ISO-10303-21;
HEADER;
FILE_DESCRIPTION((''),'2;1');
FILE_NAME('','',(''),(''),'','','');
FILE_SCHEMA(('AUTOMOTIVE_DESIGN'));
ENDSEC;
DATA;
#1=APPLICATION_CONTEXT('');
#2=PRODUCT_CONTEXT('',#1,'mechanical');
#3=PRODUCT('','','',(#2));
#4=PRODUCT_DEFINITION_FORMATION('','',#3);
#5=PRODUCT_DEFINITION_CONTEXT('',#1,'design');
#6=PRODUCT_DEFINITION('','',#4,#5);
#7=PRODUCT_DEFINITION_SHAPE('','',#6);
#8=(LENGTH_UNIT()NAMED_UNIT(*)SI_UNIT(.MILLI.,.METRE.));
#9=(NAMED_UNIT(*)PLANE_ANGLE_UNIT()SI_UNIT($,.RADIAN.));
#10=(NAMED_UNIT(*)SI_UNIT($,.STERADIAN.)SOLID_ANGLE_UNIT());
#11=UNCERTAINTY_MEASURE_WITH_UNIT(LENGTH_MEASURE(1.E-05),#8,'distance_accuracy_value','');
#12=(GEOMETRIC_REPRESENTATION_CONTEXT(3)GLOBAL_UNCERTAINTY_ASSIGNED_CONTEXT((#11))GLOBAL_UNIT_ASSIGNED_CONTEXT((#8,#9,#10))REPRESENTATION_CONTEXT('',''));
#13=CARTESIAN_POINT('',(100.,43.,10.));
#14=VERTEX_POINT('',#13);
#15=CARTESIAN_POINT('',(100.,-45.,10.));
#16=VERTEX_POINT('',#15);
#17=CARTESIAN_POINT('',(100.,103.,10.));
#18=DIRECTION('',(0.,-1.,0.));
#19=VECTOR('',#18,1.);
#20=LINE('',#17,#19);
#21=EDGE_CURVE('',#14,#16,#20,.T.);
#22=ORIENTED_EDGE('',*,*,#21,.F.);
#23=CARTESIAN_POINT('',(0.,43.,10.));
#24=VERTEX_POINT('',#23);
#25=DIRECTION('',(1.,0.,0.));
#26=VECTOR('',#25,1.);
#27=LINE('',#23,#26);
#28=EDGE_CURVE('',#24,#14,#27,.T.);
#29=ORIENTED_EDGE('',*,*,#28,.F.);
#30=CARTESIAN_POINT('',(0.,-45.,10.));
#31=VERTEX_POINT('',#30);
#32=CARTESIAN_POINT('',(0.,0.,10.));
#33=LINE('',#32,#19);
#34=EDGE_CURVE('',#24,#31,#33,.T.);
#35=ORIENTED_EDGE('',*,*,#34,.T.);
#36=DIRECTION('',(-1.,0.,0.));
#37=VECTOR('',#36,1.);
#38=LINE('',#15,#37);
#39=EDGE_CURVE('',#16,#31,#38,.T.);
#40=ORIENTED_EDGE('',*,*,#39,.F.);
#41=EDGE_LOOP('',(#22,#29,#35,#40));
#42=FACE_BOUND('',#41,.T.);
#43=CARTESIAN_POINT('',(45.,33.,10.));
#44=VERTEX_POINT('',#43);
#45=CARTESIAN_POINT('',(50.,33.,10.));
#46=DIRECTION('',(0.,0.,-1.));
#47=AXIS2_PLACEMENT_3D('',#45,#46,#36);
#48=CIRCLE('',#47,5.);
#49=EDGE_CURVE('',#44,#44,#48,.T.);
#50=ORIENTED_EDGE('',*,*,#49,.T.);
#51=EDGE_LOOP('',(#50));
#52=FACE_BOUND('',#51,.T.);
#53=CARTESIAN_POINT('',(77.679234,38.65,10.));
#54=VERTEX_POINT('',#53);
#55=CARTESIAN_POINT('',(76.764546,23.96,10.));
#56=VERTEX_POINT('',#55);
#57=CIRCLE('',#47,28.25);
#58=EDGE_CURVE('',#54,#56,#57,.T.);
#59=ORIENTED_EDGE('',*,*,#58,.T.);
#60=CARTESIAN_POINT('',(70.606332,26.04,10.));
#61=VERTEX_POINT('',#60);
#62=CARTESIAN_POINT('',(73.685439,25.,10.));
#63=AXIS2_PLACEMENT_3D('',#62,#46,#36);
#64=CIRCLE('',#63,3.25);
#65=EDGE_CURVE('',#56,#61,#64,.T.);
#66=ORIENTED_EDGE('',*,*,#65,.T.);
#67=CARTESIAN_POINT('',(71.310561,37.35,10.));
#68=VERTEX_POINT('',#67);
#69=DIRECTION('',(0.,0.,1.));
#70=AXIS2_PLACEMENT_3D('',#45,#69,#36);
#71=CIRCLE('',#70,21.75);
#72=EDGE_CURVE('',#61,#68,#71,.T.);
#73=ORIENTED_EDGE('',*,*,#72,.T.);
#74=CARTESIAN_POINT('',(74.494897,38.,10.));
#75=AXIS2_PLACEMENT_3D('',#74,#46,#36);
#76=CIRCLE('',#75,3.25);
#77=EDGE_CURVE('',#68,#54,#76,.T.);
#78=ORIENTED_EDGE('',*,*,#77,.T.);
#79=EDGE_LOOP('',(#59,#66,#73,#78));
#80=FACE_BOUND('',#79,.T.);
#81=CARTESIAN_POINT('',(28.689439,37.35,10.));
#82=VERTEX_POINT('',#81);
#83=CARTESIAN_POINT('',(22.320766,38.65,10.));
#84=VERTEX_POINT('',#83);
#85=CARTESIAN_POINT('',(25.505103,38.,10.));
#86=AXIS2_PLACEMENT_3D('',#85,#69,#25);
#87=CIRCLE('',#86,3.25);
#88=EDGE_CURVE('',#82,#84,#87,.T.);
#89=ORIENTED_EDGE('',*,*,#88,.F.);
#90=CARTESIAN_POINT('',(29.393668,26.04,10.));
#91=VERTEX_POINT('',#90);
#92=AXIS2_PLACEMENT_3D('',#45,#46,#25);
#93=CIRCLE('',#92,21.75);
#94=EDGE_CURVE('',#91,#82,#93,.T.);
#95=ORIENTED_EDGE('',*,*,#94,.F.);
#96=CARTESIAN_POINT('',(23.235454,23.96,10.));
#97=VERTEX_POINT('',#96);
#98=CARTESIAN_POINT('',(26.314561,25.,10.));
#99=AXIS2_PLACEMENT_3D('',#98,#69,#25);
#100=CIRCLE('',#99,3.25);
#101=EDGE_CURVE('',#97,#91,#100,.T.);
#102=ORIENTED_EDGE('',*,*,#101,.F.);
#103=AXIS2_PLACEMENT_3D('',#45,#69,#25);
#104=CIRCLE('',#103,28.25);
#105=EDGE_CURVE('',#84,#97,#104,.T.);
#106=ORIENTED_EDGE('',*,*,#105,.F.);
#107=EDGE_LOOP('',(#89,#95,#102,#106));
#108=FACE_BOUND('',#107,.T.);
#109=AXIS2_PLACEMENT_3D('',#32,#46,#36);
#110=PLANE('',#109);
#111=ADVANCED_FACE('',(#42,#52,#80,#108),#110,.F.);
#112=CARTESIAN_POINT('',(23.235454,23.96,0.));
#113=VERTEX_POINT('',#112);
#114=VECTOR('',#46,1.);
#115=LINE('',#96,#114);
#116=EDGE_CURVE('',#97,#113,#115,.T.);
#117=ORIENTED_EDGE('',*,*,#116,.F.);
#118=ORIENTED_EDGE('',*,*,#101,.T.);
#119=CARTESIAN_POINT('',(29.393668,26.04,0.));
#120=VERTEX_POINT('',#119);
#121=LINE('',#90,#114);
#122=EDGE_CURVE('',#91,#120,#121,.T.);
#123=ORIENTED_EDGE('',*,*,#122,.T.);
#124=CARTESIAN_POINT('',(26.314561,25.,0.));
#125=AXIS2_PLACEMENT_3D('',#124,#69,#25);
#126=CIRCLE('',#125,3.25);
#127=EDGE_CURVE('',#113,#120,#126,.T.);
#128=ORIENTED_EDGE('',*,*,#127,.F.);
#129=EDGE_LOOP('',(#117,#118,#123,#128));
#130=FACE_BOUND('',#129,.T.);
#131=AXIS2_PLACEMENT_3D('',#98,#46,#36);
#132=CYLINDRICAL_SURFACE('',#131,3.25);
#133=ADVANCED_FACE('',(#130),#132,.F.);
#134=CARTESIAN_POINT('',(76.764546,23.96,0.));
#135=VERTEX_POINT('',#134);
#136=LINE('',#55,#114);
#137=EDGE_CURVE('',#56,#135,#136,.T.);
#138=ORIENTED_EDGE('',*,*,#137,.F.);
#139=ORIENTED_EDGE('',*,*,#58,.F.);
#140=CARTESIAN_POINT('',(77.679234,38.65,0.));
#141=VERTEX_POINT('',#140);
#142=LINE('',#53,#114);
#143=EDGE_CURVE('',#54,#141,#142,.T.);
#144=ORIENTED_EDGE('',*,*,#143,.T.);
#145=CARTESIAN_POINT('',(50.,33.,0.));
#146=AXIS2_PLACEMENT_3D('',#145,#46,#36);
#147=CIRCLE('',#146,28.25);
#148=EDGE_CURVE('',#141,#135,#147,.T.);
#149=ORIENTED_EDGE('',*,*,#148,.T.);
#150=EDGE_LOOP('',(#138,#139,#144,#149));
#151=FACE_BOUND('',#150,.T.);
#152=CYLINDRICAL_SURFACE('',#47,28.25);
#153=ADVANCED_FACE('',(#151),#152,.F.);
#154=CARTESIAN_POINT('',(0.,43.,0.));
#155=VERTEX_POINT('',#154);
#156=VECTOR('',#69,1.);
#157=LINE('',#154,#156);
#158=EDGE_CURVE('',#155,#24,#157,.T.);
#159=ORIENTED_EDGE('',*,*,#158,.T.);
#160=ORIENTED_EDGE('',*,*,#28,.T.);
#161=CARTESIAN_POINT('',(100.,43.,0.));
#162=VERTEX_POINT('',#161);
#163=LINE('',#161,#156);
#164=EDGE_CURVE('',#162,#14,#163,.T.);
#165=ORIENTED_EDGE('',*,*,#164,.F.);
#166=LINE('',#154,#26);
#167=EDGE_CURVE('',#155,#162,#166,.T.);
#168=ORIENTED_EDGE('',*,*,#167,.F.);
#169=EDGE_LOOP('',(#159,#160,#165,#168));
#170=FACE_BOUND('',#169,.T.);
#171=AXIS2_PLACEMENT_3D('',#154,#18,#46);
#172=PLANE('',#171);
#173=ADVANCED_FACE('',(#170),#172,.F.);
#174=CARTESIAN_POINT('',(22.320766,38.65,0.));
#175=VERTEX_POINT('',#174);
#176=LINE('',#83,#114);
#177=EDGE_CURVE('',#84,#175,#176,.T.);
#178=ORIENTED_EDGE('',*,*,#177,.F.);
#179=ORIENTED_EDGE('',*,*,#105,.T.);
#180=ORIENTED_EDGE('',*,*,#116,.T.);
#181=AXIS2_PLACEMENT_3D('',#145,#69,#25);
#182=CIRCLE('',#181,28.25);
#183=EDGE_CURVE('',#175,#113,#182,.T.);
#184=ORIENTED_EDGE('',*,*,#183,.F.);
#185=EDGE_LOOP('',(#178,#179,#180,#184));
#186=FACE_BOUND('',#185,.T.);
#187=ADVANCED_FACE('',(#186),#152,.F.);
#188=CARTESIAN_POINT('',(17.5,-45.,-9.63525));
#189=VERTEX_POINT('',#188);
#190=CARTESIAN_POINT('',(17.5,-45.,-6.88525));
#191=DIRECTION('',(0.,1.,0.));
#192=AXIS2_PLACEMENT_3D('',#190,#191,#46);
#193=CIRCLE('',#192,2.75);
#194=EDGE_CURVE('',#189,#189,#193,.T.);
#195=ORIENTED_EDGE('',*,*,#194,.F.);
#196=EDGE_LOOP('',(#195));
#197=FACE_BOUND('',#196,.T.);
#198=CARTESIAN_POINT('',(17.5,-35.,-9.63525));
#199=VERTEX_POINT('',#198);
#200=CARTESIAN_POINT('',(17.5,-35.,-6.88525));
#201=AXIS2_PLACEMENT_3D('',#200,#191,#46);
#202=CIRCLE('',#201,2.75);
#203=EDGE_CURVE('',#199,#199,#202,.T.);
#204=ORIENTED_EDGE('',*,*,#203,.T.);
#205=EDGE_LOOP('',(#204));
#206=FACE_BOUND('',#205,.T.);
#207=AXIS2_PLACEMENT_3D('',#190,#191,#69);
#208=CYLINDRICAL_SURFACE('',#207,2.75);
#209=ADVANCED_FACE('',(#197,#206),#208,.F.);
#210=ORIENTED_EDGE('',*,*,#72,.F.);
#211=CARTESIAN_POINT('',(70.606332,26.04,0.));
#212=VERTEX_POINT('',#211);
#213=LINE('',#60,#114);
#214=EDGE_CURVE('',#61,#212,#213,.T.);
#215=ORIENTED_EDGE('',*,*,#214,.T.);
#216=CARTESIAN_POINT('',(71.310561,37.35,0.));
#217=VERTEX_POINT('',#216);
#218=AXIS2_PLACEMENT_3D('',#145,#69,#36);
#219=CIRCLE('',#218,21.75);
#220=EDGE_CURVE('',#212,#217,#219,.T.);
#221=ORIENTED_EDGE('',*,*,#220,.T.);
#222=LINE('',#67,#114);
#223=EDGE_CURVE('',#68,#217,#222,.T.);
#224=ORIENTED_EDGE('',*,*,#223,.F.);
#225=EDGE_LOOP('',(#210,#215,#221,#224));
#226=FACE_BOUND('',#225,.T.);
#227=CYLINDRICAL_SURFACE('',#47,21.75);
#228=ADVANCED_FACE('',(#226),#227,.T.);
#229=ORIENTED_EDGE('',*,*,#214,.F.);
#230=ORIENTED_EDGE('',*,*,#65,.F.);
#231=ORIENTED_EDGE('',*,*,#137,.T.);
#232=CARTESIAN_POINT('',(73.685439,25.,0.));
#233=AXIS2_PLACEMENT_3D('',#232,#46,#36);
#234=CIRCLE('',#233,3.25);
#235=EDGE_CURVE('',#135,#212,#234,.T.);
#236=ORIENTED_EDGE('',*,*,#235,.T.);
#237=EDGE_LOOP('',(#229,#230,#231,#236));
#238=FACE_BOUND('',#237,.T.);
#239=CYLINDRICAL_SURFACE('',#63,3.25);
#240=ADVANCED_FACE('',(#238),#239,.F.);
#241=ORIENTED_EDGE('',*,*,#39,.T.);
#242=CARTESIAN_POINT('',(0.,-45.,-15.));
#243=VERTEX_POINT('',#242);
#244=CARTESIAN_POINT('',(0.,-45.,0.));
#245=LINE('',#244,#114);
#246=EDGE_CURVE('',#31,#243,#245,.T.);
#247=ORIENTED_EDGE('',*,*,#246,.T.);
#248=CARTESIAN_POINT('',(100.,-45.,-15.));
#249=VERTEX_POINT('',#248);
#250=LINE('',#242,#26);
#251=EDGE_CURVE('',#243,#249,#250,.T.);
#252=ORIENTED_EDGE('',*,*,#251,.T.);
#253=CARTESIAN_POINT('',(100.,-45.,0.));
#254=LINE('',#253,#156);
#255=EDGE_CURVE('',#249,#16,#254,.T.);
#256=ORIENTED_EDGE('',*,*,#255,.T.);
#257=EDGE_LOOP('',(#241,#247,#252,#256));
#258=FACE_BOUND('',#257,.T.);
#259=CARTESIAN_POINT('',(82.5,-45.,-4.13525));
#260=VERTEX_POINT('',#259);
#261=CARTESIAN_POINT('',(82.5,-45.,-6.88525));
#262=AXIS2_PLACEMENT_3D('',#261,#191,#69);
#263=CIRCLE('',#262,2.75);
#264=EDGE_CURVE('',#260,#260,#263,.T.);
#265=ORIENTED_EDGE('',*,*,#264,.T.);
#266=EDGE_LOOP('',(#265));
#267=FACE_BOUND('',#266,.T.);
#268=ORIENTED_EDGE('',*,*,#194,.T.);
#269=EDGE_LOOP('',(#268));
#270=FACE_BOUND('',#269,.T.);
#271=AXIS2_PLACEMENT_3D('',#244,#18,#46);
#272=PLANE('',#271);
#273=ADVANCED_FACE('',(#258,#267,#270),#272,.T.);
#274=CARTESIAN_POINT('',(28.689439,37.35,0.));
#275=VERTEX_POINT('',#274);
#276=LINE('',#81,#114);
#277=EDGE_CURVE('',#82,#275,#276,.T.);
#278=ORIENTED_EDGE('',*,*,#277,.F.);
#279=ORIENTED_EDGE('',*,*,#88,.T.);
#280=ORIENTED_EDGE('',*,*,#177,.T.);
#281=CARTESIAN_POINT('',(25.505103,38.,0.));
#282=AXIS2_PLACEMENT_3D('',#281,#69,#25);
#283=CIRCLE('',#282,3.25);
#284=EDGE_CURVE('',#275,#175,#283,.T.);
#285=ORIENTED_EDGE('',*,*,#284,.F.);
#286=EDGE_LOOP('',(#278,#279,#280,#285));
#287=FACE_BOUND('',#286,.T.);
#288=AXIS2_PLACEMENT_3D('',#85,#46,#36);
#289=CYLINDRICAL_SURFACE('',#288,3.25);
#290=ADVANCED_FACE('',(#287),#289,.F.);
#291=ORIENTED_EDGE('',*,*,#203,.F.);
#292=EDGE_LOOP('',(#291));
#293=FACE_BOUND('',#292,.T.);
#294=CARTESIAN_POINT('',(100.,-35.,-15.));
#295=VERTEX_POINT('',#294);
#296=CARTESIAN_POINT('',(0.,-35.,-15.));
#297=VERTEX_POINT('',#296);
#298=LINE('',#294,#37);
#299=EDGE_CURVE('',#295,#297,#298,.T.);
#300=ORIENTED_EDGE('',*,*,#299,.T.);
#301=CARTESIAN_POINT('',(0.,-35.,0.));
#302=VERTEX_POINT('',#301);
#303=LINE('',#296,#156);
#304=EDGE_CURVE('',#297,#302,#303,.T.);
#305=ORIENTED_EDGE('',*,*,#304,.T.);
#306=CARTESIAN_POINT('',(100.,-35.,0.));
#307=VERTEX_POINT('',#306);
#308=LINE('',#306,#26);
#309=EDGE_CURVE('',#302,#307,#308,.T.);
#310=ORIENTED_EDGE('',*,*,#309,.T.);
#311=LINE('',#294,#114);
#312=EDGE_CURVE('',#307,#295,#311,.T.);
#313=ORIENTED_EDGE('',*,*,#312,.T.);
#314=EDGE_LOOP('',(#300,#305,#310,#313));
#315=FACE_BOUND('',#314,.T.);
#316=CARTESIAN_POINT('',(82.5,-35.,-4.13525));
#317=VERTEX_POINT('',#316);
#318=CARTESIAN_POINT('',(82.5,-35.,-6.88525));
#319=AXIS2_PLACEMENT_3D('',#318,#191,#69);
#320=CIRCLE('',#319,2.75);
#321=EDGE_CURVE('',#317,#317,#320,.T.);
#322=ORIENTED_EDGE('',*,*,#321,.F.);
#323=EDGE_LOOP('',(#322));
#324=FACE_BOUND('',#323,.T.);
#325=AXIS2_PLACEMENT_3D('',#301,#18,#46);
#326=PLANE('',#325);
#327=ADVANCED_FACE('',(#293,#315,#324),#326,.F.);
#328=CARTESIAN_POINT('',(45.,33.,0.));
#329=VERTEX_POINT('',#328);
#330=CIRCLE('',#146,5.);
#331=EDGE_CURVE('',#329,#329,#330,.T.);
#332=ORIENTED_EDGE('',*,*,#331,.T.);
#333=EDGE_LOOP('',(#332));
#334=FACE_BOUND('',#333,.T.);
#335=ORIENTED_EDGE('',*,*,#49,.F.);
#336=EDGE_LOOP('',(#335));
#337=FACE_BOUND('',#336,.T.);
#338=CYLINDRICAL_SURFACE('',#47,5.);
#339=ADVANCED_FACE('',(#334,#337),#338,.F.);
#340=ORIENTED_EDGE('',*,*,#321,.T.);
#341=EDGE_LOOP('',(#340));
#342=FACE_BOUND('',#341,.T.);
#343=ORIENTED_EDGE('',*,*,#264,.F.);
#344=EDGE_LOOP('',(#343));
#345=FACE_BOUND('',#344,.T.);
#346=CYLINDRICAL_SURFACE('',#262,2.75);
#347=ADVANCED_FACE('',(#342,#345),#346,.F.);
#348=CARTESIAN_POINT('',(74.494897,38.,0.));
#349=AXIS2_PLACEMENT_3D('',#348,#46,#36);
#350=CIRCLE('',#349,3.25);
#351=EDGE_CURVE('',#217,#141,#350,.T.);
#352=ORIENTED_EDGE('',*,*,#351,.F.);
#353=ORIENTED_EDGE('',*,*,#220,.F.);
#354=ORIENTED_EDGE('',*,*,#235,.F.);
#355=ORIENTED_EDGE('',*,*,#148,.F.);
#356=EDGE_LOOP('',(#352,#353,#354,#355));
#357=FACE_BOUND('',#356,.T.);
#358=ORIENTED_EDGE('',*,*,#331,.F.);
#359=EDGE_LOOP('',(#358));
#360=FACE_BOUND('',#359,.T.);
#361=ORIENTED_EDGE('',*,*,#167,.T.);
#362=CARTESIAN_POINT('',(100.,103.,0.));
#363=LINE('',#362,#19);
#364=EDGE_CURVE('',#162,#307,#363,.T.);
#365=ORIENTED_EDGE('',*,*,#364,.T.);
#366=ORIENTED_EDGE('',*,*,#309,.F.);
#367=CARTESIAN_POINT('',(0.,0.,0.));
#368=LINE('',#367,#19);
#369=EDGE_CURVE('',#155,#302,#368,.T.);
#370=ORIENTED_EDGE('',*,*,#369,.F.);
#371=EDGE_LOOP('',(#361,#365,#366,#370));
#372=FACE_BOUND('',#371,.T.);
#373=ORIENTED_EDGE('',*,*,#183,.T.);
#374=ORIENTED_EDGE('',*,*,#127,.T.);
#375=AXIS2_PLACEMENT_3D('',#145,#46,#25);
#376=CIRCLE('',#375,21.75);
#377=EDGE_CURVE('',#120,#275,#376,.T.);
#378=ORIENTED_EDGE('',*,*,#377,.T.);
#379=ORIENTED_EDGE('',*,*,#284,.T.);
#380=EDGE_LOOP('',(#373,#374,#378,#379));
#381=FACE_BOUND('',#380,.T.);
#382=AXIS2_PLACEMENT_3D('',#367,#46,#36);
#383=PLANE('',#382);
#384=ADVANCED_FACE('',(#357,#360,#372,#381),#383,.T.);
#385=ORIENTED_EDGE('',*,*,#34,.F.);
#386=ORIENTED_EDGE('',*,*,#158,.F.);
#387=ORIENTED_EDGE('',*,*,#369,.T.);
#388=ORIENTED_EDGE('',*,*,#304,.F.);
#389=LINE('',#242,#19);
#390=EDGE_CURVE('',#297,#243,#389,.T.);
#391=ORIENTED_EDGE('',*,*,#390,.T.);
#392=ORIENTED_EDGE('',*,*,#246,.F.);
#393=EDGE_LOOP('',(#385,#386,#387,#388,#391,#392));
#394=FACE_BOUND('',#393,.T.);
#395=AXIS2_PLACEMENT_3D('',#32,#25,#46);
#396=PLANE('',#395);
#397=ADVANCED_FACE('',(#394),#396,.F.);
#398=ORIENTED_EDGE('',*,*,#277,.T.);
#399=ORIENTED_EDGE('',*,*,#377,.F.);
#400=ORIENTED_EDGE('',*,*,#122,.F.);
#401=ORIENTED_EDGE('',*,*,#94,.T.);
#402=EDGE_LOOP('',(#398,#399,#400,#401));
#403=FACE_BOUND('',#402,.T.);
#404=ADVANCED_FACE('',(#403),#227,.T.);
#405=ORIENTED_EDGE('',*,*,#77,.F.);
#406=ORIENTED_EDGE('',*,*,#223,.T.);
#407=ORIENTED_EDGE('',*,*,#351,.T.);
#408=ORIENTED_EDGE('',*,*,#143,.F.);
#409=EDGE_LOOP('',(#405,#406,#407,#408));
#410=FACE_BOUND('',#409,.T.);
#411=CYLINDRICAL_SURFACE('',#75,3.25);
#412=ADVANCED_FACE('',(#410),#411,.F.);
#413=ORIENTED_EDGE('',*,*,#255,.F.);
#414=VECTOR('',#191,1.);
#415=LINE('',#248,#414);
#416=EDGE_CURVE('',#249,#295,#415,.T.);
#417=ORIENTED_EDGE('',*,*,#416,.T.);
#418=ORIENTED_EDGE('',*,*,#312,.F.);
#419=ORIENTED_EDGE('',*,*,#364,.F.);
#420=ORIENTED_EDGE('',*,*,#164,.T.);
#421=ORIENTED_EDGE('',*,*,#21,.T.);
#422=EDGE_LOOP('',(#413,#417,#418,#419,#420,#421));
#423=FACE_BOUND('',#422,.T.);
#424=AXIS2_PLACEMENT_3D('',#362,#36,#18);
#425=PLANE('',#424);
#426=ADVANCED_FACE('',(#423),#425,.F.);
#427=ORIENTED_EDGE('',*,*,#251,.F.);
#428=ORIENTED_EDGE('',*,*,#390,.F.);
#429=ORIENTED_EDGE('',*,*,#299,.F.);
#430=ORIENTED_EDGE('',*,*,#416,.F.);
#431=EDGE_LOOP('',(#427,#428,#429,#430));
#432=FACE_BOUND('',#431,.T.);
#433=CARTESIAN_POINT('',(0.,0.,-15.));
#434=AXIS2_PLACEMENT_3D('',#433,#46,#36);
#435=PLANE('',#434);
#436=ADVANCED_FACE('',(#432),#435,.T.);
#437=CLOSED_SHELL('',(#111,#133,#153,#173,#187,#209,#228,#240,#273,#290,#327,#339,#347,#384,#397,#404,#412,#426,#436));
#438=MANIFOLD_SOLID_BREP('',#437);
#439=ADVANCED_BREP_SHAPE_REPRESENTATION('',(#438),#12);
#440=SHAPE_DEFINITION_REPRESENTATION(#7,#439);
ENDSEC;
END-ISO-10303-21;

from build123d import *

# Parameters (mm, degrees)
EXTRUDE_1_DEPTH     = 10
SKETCH_2_W          = 169.882057187
SKETCH_2_H          = 25.097327733
CUT_EXTRUDE_1_DEPTH = 11
SKETCH_4_W          = 150
SKETCH_4_H          = 103
EXTRUDE_2_DEPTH     = 10
SKETCH_5_W          = 50
SKETCH_5_H          = 103
CUT_EXTRUDE_2_DEPTH = 11
SKETCH_7_W          = 130.949422717
SKETCH_7_H          = 60
CUT_EXTRUDE_3_DEPTH = 10
SKETCH_8_R          = 5
CUT_EXTRUDE_4_DEPTH = 11
CUT_EXTRUDE_5_DEPTH = 11
SKETCH_12_W         = 100
SKETCH_12_H         = 10
EXTRUDE_3_DEPTH     = 45
SKETCH_13_W         = 100
SKETCH_13_H         = 5
EXTRUDE_4_DEPTH     = 25
SKETCH_14_W         = 100
SKETCH_14_H         = 15
EXTRUDE_5_DEPTH     = 5
SKETCH_15_R         = 2.75
CUT_EXTRUDE_6_DEPTH = 11


with BuildPart() as part:
    # 草图1 → 凸台-拉伸1 (new body)
    with BuildSketch(Plane.XY):
        Polygon((150, 103.55), (0, 90.426700471), (0, 0), (150, 0), align=None)
    extrude(amount=EXTRUDE_1_DEPTH)

    # 草图2 → 切除-拉伸1 (cut, through all)
    with BuildSketch(Plane(origin=(0, 0, 0), x_dir=(-1, 0, 0), z_dir=(0, 0, -1))):
        with Locations((-84.941028594, 102.975364337)):
            Rectangle(SKETCH_2_W, SKETCH_2_H)
    extrude(amount=-CUT_EXTRUDE_1_DEPTH, mode=Mode.SUBTRACT)

    # 草图4 → 凸台-拉伸2 (add)
    with BuildSketch(Plane.XY.offset(10)):
        with Locations((75, 51.5)):
            Rectangle(SKETCH_4_W, SKETCH_4_H)
    extrude(amount=-EXTRUDE_2_DEPTH)

    # 草图5 → 切除-拉伸2 (cut, through all)
    with BuildSketch(Plane.XY.offset(10)):
        with Locations((125, 51.5)):
            Rectangle(SKETCH_5_W, SKETCH_5_H)
    extrude(amount=-CUT_EXTRUDE_2_DEPTH, mode=Mode.SUBTRACT)

    # 草图7 → 切除-拉伸3 (cut)
    with BuildSketch(Plane.XY.offset(10)):
        with Locations((65.474711359, 73)):
            Rectangle(SKETCH_7_W, SKETCH_7_H)
    extrude(amount=-CUT_EXTRUDE_3_DEPTH, mode=Mode.SUBTRACT)

    # 草图8 → 切除-拉伸4 (cut, through all)
    with BuildSketch(Plane(origin=(0, 0, 0), x_dir=(-1, 0, 0), z_dir=(0, 0, -1))):
        with Locations((-50, 33)):
            Circle(SKETCH_8_R)
    extrude(amount=-CUT_EXTRUDE_4_DEPTH, mode=Mode.SUBTRACT)

    # 草图11 → 切除-拉伸5 (cut, through all)
    with BuildSketch(Plane(origin=(0, 0, 0), x_dir=(-1, 0, 0), z_dir=(0, 0, -1))):
        with BuildLine():
            ThreePointArc((-76.764545578, 23.96), (-72.645438565, 21.920892987), (-70.606331551, 26.04))
            ThreePointArc((-70.606331551, 26.04), (-71.707959146, 31.648330774), (-71.310560762, 37.35))
            ThreePointArc((-71.310560762, 37.35), (-73.844897428, 41.184336666), (-77.679234093, 38.65))
            ThreePointArc((-77.679234093, 38.65), (-78.195395213, 31.24438365), (-76.764545578, 23.96))
        make_face()
    cut_extrude_5 = extrude(amount=-CUT_EXTRUDE_5_DEPTH, mode=Mode.SUBTRACT)

    # 镜向1: 切除-拉伸5 across plane
    add(cut_extrude_5.mirror(Plane.ZY.offset(-50)), mode=Mode.SUBTRACT)

    # 草图12 → 凸台-拉伸3 (add)
    with BuildSketch(Plane.XZ):
        with Locations((50, 5)):
            Rectangle(SKETCH_12_W, SKETCH_12_H)
    extrude(amount=EXTRUDE_3_DEPTH)

    # 草图13 → 凸台-拉伸4 (add)
    with BuildSketch(Plane.XY.offset(10)):
        with Locations((50, -42.5)):
            Rectangle(SKETCH_13_W, SKETCH_13_H)
    extrude(amount=-EXTRUDE_4_DEPTH)

    # 草图14 → 凸台-拉伸5 (add)
    with BuildSketch(Plane(origin=(0, -40, 0), x_dir=(1, 0, 0), z_dir=(0, 1, 0))):
        with Locations((50, 7.5)):
            Rectangle(SKETCH_14_W, SKETCH_14_H)
    extrude(amount=EXTRUDE_5_DEPTH)

    # 草图15 → 切除-拉伸6 (cut, through all)
    with BuildSketch(Plane(origin=(0, -35, 0), x_dir=(1, 0, 0), z_dir=(0, 1, 0))):
        with Locations((82.5, 6.885250494)):
            Circle(SKETCH_15_R)
        with Locations((17.5, 6.885250494)):
            Circle(SKETCH_15_R)
    extrude(amount=-CUT_EXTRUDE_6_DEPTH, mode=Mode.SUBTRACT)


solid = part.part
